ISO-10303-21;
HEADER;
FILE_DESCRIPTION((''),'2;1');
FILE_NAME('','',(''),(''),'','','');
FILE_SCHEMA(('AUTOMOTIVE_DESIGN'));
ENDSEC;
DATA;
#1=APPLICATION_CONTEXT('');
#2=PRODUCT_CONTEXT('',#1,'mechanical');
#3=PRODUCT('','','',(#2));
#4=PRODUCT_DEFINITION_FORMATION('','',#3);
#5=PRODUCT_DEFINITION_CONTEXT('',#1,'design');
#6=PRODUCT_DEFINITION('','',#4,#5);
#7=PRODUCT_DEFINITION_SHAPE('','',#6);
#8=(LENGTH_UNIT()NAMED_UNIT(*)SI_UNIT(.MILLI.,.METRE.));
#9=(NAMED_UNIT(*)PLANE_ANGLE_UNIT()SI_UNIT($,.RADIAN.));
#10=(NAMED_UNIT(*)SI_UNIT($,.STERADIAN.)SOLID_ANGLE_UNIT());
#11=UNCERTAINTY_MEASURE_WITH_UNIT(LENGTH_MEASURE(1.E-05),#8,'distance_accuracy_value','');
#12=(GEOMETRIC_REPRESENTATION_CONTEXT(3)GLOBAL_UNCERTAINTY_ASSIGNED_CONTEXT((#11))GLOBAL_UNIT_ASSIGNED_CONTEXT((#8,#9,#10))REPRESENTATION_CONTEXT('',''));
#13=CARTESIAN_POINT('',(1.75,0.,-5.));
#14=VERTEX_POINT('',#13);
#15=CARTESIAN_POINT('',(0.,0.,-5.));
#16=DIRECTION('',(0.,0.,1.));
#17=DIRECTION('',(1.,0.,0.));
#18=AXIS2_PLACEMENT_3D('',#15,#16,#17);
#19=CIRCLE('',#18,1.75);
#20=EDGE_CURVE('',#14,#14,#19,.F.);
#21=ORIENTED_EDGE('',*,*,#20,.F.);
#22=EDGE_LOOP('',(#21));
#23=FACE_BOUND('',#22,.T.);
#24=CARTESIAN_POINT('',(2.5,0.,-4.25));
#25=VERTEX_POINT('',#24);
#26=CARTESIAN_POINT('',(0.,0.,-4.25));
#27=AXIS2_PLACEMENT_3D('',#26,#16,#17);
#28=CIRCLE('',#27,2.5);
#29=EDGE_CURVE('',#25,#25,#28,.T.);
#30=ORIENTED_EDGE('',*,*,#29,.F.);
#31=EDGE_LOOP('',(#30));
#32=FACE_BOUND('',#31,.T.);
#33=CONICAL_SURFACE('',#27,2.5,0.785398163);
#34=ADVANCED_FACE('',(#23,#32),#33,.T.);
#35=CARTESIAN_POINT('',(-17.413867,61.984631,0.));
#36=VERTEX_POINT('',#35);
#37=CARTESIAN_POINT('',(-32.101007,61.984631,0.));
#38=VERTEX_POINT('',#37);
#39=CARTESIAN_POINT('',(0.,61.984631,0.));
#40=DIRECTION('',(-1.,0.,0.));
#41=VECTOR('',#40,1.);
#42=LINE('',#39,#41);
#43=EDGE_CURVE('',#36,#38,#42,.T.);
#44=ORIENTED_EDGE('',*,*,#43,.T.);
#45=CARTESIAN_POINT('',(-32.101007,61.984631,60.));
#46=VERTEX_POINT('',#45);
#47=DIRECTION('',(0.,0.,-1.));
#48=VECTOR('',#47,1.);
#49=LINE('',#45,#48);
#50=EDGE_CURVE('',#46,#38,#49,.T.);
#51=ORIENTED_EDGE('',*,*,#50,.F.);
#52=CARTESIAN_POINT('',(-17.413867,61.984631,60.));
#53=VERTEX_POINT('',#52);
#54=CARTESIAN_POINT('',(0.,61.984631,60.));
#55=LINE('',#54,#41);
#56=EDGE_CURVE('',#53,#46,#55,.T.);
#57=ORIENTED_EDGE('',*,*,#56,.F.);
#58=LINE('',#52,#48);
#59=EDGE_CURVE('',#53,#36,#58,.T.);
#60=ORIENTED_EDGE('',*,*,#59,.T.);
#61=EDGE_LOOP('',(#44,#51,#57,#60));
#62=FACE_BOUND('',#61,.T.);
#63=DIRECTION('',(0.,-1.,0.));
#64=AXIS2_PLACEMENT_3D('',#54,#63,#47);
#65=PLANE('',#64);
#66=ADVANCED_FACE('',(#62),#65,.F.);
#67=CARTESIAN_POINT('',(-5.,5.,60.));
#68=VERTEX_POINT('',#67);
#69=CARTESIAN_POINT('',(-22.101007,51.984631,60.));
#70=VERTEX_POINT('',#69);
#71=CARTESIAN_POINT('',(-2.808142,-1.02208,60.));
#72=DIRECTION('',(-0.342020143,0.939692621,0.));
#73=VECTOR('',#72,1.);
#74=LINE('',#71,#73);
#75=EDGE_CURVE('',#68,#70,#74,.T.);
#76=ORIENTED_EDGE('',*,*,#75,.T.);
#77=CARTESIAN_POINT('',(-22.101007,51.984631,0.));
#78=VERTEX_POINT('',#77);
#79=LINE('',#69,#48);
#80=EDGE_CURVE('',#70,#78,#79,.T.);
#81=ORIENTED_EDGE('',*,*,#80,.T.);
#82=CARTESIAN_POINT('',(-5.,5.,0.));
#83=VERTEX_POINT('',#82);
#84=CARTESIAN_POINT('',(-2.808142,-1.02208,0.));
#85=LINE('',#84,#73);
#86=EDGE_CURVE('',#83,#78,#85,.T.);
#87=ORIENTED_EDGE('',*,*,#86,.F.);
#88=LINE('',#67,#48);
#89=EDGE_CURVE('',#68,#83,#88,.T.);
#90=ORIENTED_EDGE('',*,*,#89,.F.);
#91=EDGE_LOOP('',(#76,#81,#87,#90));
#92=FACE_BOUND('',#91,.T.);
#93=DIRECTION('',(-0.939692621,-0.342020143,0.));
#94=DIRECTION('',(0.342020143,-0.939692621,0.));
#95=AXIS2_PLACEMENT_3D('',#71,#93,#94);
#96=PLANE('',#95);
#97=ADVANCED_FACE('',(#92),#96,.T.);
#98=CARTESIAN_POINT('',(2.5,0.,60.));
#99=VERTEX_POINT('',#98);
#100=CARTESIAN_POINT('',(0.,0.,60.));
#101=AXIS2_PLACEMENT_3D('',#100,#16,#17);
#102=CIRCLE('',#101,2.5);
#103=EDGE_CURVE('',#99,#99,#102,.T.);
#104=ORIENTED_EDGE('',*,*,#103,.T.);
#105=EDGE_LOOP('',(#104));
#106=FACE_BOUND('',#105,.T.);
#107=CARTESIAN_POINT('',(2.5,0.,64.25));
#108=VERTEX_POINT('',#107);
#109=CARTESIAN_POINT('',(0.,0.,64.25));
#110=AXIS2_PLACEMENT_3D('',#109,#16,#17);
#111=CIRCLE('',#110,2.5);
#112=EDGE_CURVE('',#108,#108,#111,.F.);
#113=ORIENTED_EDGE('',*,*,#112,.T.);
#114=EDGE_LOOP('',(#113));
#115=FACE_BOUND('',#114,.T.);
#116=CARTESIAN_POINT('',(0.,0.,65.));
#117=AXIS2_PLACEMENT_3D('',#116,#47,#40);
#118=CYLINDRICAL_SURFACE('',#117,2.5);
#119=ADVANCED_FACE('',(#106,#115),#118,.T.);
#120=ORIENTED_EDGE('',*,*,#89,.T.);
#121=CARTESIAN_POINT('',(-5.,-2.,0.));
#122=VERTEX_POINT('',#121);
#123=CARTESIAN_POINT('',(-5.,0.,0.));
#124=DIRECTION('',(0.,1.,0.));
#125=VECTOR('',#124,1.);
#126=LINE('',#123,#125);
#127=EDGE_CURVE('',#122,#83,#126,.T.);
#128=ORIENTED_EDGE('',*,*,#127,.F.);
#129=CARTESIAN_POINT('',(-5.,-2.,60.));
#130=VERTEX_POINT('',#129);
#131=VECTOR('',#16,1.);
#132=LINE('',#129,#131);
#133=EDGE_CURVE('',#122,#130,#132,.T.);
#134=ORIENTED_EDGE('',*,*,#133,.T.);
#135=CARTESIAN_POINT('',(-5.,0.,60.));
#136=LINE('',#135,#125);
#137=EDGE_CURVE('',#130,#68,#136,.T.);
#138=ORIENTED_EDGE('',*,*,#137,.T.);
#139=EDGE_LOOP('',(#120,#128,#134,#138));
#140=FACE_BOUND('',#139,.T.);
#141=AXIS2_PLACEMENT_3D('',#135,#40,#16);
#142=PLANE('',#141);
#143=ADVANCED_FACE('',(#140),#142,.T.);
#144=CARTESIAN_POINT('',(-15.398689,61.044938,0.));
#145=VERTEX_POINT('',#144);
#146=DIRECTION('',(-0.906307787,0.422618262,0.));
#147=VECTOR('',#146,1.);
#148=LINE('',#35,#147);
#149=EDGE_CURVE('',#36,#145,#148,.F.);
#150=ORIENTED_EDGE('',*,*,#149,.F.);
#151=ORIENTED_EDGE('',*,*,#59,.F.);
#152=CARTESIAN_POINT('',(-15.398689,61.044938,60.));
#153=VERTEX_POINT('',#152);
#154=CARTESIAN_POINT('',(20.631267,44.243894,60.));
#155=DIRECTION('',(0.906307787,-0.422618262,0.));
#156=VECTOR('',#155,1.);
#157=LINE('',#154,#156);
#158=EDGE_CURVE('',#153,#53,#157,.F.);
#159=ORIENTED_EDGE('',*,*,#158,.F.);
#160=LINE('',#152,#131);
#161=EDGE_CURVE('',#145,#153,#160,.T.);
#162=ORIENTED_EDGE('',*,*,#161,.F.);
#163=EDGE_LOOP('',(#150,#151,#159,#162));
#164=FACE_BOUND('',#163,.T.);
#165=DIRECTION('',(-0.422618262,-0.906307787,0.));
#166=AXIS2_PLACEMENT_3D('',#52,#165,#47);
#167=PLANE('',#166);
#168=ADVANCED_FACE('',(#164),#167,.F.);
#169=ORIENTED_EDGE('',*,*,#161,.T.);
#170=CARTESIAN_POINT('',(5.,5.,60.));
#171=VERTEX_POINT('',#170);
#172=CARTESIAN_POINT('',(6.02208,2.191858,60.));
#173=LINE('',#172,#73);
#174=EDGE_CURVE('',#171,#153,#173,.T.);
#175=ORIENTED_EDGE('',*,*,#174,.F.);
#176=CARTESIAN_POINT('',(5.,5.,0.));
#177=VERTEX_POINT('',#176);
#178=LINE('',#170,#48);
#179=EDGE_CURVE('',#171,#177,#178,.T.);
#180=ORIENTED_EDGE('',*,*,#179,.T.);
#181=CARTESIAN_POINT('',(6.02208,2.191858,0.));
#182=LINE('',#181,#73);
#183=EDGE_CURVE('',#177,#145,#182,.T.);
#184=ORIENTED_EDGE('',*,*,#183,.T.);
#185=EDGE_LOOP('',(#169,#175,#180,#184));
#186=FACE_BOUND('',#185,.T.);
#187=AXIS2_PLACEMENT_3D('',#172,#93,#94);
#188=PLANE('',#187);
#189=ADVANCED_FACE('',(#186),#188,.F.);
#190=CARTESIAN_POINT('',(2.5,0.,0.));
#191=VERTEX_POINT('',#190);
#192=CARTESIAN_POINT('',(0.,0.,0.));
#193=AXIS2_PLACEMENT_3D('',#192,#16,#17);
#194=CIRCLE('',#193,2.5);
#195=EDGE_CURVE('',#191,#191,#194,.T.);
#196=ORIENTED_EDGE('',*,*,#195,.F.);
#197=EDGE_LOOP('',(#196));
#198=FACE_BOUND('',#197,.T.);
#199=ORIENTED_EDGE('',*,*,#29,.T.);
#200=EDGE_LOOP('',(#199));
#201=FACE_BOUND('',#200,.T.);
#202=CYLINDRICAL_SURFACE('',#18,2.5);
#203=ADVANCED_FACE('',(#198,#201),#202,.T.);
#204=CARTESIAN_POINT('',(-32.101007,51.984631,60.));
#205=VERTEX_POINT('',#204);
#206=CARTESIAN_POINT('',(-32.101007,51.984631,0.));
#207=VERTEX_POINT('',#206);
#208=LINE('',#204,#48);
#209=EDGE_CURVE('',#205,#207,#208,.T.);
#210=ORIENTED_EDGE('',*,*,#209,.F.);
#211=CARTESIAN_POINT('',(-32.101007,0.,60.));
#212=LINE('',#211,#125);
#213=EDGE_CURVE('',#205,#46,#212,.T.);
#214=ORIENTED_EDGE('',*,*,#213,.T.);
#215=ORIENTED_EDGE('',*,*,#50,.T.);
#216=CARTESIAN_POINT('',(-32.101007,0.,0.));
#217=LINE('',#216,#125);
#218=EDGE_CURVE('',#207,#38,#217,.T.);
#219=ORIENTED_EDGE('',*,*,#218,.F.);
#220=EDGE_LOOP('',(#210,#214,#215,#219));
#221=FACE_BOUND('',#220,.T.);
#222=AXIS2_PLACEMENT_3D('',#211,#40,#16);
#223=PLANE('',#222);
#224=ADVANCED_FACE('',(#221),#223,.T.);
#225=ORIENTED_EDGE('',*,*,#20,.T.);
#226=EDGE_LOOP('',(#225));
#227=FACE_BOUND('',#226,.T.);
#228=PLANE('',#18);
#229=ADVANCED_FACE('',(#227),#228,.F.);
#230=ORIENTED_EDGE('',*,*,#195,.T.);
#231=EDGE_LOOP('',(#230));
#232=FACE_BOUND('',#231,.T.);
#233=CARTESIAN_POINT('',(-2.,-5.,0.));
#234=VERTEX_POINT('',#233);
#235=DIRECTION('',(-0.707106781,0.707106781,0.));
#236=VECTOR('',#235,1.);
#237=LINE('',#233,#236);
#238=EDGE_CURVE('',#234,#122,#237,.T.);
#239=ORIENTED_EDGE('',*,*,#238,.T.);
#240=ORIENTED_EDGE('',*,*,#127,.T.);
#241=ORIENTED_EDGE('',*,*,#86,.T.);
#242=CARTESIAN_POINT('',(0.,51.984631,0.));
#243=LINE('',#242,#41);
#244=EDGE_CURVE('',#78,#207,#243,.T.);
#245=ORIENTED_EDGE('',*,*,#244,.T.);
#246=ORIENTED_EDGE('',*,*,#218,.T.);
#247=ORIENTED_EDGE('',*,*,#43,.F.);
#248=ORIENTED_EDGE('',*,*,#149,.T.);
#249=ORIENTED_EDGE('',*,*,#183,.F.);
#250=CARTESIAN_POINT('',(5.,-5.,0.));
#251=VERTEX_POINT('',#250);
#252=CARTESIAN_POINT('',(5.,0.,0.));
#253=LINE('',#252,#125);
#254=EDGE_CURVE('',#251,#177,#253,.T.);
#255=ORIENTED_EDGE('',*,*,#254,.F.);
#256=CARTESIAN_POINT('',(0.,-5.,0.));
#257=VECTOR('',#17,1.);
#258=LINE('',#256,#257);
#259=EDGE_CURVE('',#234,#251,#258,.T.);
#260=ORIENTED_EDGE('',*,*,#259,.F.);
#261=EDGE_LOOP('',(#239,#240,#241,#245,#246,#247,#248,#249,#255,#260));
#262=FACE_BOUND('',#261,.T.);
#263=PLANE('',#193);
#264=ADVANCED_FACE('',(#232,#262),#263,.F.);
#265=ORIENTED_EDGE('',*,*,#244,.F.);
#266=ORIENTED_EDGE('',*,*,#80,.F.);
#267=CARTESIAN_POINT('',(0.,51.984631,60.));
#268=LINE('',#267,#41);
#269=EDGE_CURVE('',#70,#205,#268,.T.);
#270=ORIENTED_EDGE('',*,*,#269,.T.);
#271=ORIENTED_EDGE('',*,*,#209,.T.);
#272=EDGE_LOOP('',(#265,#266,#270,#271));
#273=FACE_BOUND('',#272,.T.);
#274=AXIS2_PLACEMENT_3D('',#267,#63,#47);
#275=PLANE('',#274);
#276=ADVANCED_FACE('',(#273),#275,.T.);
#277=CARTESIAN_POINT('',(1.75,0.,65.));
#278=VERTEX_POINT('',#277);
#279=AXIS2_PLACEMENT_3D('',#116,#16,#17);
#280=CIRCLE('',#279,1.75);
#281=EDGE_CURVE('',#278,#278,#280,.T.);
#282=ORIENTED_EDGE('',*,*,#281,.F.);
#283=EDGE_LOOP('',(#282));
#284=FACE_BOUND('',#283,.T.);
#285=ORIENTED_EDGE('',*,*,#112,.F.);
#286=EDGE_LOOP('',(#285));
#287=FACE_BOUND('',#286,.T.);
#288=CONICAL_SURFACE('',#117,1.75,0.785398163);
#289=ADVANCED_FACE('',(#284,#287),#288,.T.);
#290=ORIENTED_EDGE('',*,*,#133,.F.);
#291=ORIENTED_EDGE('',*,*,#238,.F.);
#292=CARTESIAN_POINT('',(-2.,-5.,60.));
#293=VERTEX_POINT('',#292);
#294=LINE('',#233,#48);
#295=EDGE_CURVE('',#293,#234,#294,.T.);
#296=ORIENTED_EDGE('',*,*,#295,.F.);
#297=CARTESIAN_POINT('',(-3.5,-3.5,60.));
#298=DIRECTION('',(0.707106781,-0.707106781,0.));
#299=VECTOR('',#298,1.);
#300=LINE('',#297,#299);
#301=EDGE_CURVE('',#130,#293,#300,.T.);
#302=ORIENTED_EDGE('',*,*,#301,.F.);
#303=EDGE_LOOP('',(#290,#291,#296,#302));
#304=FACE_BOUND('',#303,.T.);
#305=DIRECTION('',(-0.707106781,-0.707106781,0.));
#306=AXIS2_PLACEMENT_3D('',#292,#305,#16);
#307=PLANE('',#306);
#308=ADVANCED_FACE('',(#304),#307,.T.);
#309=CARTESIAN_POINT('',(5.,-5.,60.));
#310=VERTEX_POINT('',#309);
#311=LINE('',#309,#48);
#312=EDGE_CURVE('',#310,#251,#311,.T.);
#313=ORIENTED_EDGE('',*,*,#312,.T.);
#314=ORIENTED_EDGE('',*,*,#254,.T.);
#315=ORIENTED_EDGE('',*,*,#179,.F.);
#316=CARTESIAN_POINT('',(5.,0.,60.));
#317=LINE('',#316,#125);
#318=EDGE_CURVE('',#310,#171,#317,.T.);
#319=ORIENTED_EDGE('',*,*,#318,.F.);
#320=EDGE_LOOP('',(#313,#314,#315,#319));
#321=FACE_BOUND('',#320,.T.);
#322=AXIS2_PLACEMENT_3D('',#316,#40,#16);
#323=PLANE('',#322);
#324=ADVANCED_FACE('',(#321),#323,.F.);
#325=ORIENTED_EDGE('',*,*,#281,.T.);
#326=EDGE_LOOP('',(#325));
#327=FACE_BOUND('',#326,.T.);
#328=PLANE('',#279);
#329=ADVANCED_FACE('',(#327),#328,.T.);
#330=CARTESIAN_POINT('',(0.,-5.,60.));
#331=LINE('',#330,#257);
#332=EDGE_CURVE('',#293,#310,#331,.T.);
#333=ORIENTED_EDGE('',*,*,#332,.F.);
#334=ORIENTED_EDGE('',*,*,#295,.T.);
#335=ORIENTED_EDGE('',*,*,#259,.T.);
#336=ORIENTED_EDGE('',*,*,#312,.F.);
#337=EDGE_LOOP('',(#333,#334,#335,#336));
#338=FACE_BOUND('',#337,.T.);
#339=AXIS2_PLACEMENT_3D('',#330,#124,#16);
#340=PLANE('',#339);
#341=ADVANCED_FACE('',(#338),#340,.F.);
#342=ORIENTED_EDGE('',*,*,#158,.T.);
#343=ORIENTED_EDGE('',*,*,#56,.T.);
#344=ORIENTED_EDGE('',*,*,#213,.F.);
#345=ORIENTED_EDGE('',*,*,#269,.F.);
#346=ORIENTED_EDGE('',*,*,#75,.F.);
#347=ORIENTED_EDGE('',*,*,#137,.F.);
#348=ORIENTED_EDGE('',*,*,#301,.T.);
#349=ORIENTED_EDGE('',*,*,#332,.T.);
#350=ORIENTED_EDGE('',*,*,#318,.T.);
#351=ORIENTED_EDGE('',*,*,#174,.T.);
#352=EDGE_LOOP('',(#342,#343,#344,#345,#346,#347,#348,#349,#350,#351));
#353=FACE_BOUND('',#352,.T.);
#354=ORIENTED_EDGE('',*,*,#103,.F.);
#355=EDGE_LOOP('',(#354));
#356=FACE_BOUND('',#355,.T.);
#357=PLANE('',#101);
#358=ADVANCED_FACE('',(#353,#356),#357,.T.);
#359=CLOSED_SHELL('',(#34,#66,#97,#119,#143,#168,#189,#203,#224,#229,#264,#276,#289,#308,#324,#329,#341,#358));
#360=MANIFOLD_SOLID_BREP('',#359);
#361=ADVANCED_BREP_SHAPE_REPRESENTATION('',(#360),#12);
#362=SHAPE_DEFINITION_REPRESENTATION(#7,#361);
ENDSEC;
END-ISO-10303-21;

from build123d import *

# Parameters (mm, degrees)
SKETCH1_W           = 10.000000000000004
SKETCH1_H           = 10
SKETCH1_W_2         = 10
BOSS_EXTRUDE1_DEPTH = 60
CHAMFER1_SIZE       = 3
SKETCH2_R           = 2.5
BOSS_EXTRUDE2_DEPTH = 5
BOSS_EXTRUDE3_START = -65
SKETCH2_2_R         = 2.5
BOSS_EXTRUDE3_DEPTH = 5
CHAMFER2_SIZE       = 1
CHAMFER2_SIZE2      = 1.6731571851015
CHAMFER3_SIZE       = 0.75


with BuildPart() as part:
    # Sketch1 → Boss-Extrude1 (new body)
    with BuildSketch(Plane.XY):
        with Locations((-27.101007166283644, 56.98463103929536)):
            Rectangle(SKETCH1_W, SKETCH1_H)
        Polygon((-12.10100716628364, 51.98463103929536), (-15.740709508945711, 61.98463103929536), (-22.10100716628364, 61.98463103929536), (-22.10100716628364, 51.98463103929536), (-5, 5), (5, 5), align=None)
        Rectangle(SKETCH1_W_2, SKETCH1_H)
    extrude(amount=BOSS_EXTRUDE1_DEPTH)

    # Chamfer1
    chamfer1_edges = [part.edges().sort_by_distance(p)[0] for p in [
        (-5, -5, 30),
    ]]
    chamfer(chamfer1_edges, length=CHAMFER1_SIZE)

    # Sketch2 → Boss-Extrude2 (add)
    with BuildSketch(Plane.XY.offset(60)):
        Circle(SKETCH2_R)
    extrude(amount=BOSS_EXTRUDE2_DEPTH)

    # Sketch2<2> → Boss-Extrude3 (add)
    with BuildSketch(Plane.XY.offset(60).offset(BOSS_EXTRUDE3_START)):
        Circle(SKETCH2_2_R)
    extrude(amount=BOSS_EXTRUDE3_DEPTH)

    # Chamfer2
    chamfer2_edges = [part.edges().sort_by_distance(p)[0] for p in [
        (-15.740709508945711, 61.98463103929536, 30),
    ]]
    chamfer2_side = [part.faces().sort_by_distance(p)[0] for p in [
        (-5.3703547544728565, 33.492315519647676, 30),
    ]]
    chamfer(chamfer2_edges, length=CHAMFER2_SIZE, length2=CHAMFER2_SIZE2, reference=chamfer2_side[0])

    # Chamfer3
    chamfer3_edges = [part.edges().sort_by_distance(p)[0] for p in [
        (-2.5, 3.1e-16, 65),
        (-2.5, 3.1e-16, -5),
    ]]
    chamfer(chamfer3_edges, length=CHAMFER3_SIZE)


solid = part.part
